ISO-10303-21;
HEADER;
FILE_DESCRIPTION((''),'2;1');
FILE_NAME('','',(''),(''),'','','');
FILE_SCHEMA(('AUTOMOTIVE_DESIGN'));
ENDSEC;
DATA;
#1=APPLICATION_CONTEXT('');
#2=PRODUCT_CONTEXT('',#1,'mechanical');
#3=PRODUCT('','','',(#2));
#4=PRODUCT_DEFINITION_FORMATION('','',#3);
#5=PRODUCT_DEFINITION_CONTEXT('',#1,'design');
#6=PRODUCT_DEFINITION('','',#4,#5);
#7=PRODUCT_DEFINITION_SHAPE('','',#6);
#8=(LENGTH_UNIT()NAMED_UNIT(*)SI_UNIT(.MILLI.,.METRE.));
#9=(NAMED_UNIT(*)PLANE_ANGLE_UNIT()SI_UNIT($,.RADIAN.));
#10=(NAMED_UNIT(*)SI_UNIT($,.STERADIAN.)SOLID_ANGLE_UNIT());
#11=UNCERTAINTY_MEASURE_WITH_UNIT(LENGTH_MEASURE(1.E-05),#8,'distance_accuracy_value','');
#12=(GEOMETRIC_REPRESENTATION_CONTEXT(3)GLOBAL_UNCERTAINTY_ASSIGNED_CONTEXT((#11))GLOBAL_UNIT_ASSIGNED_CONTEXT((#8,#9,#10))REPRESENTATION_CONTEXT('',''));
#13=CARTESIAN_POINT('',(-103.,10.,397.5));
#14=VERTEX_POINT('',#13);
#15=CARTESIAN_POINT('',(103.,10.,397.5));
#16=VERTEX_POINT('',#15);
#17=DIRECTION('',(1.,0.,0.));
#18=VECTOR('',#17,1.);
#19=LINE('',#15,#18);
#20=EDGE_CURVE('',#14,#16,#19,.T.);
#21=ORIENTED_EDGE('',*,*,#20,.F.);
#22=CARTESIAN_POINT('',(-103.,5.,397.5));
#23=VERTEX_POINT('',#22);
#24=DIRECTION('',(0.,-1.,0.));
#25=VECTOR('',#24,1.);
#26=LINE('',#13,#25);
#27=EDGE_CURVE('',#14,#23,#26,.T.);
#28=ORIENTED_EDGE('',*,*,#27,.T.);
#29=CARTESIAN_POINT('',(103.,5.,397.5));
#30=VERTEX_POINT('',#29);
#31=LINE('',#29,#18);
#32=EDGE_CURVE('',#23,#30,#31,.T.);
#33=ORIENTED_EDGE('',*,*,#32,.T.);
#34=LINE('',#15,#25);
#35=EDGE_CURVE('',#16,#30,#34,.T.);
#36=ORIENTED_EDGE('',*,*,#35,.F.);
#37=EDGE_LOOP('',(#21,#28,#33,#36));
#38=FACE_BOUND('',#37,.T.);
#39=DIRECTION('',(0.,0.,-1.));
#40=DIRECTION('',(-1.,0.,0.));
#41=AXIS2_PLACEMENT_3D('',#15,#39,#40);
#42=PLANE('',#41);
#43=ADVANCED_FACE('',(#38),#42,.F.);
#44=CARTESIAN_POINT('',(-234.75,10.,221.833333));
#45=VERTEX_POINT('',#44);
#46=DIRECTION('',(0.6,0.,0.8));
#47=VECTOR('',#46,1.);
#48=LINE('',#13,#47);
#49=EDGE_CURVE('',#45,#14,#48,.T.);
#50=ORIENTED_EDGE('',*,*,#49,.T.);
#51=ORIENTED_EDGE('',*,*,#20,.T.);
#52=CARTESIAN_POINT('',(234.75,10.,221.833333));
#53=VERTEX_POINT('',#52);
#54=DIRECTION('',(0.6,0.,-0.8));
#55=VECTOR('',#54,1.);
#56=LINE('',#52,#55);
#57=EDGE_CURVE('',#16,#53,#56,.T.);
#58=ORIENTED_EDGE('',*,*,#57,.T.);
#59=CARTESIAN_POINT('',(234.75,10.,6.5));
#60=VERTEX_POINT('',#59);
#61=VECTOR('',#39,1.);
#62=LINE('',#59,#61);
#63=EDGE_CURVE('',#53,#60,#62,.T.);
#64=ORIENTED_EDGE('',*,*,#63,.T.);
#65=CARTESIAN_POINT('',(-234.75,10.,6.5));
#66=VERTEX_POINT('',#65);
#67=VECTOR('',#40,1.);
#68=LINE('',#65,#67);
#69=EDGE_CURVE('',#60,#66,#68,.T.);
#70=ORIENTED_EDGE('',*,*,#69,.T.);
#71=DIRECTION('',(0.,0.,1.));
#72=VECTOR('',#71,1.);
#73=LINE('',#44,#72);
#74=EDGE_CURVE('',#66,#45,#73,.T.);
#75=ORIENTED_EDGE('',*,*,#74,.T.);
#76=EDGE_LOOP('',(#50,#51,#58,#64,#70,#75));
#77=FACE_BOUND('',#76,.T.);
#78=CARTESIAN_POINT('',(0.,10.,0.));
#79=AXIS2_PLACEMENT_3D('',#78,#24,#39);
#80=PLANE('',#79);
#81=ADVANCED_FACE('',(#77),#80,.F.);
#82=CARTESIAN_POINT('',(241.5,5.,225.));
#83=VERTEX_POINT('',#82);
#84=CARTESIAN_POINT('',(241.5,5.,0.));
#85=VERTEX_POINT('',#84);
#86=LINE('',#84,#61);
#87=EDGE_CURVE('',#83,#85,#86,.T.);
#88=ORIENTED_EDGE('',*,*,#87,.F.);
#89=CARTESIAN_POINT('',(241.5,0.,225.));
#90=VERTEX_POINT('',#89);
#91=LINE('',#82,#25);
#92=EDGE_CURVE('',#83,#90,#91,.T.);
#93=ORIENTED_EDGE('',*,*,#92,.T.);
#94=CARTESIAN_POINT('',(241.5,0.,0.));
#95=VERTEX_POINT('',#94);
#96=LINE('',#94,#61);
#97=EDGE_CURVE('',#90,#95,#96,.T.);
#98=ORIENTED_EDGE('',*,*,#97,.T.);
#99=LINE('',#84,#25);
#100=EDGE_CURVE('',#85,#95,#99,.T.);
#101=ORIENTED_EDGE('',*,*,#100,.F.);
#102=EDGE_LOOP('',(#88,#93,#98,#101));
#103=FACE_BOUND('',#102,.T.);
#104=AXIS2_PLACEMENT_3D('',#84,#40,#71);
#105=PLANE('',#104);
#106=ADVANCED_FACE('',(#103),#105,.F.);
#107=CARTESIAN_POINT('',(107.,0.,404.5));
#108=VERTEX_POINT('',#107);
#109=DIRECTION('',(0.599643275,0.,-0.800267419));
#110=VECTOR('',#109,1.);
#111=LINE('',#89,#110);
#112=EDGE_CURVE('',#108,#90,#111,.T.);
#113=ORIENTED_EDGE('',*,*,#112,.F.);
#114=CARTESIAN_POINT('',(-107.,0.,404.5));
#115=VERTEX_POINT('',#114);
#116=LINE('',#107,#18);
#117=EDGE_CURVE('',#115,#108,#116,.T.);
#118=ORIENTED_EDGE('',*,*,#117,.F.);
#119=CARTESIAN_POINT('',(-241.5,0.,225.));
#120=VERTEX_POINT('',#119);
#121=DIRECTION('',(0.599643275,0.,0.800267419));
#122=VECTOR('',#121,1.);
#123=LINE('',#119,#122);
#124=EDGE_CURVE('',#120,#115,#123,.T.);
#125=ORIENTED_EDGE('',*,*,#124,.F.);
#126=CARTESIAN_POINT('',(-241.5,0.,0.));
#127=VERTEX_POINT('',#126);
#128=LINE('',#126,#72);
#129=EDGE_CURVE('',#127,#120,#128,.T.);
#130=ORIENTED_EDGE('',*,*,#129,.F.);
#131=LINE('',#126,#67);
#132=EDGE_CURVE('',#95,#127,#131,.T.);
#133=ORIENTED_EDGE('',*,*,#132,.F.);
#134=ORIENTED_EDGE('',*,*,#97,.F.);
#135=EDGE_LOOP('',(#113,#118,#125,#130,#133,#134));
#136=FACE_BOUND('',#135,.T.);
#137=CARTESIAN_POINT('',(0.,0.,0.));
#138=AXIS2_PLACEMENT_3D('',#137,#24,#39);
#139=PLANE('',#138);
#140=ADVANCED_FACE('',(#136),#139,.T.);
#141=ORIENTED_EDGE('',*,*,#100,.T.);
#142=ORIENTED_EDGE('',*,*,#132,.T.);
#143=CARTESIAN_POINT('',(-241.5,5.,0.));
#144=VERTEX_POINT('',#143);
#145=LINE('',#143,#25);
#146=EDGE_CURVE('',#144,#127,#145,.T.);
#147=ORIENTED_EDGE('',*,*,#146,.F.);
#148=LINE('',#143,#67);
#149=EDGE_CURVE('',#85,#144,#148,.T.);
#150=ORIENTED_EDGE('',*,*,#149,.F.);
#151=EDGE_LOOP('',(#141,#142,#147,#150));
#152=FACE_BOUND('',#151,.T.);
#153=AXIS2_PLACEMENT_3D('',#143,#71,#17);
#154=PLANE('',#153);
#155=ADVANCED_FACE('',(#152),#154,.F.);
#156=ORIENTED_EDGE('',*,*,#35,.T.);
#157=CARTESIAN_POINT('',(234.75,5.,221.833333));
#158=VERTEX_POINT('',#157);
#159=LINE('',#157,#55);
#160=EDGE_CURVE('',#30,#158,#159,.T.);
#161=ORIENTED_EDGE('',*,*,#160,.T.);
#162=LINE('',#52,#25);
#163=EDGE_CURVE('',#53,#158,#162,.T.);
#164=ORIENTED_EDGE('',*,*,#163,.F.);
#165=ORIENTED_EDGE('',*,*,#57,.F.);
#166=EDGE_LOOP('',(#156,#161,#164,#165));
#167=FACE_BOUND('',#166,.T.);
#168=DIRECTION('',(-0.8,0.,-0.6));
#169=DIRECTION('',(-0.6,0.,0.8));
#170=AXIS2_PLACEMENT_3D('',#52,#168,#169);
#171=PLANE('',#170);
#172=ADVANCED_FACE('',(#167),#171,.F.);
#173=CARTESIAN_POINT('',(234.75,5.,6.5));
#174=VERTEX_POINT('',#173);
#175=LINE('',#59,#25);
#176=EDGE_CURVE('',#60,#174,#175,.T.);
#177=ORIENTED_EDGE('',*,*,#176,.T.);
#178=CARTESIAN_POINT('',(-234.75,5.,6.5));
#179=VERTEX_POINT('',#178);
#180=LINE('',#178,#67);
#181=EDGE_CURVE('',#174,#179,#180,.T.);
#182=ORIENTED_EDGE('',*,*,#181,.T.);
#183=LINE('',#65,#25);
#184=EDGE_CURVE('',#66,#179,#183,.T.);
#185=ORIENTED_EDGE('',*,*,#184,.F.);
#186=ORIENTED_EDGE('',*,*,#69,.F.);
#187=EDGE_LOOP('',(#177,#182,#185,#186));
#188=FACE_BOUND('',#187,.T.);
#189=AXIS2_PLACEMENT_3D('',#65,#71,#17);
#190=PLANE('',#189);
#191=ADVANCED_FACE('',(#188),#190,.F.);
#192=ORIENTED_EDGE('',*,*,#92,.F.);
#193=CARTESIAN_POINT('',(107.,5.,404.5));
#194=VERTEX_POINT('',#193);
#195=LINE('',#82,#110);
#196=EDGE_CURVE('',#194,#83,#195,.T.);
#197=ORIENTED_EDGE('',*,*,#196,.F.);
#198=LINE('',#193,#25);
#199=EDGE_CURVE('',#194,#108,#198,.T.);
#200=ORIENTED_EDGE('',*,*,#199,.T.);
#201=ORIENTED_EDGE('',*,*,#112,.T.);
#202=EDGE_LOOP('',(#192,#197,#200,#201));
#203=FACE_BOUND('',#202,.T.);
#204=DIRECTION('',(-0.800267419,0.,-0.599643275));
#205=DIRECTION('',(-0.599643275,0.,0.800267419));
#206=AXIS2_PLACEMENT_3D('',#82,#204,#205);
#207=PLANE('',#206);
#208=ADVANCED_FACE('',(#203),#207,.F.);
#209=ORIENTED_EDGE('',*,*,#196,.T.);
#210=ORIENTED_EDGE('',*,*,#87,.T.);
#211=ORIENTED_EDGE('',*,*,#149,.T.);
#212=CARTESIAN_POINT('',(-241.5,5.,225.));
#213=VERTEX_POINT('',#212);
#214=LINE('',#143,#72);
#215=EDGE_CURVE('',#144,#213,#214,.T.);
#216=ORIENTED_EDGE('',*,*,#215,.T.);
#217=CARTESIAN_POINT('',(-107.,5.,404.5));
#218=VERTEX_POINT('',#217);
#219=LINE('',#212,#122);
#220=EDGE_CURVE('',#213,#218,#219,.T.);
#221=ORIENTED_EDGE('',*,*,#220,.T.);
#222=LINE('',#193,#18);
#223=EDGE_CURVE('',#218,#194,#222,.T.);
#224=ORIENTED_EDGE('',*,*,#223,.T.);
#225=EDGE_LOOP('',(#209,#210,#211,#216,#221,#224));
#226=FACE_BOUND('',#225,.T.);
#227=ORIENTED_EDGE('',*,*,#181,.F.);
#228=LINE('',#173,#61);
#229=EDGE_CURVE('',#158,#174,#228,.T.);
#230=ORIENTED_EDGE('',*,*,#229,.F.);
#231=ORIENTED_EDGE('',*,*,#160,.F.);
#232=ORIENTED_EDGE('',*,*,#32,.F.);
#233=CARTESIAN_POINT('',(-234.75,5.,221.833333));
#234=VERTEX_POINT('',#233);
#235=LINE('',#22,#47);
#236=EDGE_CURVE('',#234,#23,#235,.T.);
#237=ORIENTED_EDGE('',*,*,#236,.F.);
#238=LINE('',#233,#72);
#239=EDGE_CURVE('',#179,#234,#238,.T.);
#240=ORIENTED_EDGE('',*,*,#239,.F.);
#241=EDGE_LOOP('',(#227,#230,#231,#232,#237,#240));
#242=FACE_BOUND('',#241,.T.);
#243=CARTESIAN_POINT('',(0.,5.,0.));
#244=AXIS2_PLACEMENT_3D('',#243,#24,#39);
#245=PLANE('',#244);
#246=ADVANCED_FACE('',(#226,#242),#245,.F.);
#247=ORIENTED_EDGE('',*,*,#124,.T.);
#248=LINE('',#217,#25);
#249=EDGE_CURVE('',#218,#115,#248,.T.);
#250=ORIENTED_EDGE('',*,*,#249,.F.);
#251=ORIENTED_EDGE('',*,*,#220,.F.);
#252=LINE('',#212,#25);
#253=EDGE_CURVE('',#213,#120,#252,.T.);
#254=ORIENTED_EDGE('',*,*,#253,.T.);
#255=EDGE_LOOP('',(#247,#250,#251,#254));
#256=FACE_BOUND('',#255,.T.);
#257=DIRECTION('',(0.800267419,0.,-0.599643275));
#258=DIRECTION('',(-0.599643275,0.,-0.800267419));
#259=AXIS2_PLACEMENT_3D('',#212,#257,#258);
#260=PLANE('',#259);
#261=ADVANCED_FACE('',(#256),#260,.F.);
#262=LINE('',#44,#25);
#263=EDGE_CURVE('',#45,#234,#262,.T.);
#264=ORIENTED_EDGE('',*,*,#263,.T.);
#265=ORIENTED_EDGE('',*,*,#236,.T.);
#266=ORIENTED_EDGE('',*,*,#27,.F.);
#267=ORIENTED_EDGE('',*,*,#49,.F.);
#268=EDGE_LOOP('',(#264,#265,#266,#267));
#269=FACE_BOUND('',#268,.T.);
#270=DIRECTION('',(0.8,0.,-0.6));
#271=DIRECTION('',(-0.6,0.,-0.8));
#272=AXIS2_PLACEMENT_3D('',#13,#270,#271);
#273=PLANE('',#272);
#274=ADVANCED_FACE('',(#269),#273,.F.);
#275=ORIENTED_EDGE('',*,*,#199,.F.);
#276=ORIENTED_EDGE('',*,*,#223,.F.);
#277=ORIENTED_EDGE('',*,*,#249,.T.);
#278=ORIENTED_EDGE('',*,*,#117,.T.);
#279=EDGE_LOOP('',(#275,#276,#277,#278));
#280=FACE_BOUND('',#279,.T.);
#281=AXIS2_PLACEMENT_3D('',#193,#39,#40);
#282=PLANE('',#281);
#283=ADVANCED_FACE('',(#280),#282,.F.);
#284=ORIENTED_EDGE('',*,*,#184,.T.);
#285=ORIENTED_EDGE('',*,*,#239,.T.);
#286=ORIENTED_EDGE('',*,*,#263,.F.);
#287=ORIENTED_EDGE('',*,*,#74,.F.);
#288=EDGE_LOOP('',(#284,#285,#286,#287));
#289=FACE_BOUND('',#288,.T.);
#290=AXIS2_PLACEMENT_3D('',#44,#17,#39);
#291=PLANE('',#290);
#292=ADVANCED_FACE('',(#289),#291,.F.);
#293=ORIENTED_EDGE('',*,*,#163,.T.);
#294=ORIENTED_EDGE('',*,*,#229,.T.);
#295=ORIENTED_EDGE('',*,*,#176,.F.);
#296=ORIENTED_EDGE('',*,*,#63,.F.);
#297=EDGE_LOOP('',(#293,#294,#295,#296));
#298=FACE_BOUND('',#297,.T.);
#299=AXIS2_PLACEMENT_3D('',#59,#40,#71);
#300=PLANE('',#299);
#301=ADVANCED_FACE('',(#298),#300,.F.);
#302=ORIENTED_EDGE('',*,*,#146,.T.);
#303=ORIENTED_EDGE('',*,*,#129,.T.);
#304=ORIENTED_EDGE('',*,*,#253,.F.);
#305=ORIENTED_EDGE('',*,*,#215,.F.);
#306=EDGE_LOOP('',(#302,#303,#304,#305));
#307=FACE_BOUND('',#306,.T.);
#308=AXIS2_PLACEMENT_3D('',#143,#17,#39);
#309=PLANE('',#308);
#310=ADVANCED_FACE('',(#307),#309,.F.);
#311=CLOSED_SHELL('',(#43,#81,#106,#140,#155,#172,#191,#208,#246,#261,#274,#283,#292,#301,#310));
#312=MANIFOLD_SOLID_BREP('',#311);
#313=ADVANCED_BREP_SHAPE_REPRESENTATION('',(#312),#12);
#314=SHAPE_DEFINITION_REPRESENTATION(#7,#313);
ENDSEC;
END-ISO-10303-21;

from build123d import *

# Parameters (mm, degrees)
EXTRUDE_1_DEPTH = 5
EXTRUDE_2_DEPTH = 5


with BuildPart() as part:
    # 草图1 → 凸台-拉伸1 (new body)
    with BuildSketch(Plane(origin=(0, 0, 0), x_dir=(1, 0, 0), z_dir=(0, 1, 0))):
        Polygon((-241.5, 0), (241.5, 0), (241.5, -225), (107, -404.5), (-107, -404.5), (-241.5, -225), align=None)
    extrude(amount=EXTRUDE_1_DEPTH)

    # 草图2 → 凸台-拉伸2 (add)
    with BuildSketch(Plane(origin=(0, 5, 0), x_dir=(1, 0, 0), z_dir=(0, 1, 0))):
        Polygon((-234.75, -6.5), (234.75, -6.5), (234.75, -221.833333333), (103, -397.5), (-103, -397.5), (-234.75, -221.833333333), align=None)
    extrude(amount=EXTRUDE_2_DEPTH)


solid = part.part
